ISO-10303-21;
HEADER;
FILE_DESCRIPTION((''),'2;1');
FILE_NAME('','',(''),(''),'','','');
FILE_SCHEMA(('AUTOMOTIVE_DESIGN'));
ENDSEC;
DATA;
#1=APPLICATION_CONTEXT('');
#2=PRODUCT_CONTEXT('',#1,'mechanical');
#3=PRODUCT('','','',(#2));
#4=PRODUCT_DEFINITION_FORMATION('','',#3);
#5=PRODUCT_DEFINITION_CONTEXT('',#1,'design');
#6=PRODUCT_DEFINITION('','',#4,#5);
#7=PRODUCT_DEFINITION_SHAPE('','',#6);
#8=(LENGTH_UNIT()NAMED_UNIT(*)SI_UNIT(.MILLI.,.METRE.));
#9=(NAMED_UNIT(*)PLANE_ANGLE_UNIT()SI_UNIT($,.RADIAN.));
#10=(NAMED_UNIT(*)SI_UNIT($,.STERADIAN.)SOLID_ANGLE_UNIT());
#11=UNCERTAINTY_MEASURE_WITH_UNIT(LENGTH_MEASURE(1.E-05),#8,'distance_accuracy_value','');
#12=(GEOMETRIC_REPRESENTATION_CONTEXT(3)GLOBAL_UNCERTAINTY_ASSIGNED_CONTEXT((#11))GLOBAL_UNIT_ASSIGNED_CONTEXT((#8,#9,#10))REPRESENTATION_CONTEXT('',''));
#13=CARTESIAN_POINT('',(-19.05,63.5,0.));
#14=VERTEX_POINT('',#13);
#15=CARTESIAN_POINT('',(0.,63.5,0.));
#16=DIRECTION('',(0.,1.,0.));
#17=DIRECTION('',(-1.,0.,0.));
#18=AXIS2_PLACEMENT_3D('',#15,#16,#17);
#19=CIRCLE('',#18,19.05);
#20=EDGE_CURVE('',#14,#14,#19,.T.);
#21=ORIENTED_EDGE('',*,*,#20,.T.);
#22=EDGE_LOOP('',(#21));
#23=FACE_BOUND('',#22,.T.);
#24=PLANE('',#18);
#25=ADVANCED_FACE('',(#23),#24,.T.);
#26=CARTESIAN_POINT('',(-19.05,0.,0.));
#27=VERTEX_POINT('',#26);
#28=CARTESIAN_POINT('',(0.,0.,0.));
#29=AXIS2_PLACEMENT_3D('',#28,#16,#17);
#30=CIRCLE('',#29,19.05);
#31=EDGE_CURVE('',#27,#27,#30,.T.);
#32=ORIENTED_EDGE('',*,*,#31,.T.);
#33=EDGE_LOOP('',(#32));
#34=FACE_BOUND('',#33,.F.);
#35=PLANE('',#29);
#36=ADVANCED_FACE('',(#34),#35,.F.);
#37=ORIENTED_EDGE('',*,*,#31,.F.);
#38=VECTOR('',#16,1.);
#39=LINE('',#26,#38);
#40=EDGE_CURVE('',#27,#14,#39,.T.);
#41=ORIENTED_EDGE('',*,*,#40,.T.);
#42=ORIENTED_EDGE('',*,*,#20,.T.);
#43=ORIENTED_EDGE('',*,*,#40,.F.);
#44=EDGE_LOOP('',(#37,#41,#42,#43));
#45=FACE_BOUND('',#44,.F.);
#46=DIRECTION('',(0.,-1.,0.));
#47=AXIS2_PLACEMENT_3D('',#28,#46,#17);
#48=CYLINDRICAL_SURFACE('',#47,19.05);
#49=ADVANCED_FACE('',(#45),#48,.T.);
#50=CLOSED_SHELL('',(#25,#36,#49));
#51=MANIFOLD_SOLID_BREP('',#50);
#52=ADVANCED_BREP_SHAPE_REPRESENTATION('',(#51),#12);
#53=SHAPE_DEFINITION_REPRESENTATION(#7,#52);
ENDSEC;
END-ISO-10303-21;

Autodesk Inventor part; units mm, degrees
ref_plane "YZ Plane" through (0, 0, 0) normal (1, 0, 0) x (0, 1, 0)
ref_plane "XZ Plane" through (0, 0, 0) normal (0, 1, 0) x (-1, 0, 0)
ref_plane "XY Plane" through (0, 0, 0) normal (0, 0, 1) x (1, 0, 0)
sketch "Sketch1" plane through (0, 0, 0) normal (0, 1, 0) x (-1, 0, 0)
  circle A0 centre (0, 0) radius 19.05
  dimension "d0" = 38.1
extrude "Extrusion1" add sketch "Sketch1" along normal blind 63.5
thread "Thread1" size "1 1/2-6 UNC" class "2A" standard "ANSI Unified Screw Threads" length 50.8
properties part number "Eje cardan" material "Steel AISI 1080"
